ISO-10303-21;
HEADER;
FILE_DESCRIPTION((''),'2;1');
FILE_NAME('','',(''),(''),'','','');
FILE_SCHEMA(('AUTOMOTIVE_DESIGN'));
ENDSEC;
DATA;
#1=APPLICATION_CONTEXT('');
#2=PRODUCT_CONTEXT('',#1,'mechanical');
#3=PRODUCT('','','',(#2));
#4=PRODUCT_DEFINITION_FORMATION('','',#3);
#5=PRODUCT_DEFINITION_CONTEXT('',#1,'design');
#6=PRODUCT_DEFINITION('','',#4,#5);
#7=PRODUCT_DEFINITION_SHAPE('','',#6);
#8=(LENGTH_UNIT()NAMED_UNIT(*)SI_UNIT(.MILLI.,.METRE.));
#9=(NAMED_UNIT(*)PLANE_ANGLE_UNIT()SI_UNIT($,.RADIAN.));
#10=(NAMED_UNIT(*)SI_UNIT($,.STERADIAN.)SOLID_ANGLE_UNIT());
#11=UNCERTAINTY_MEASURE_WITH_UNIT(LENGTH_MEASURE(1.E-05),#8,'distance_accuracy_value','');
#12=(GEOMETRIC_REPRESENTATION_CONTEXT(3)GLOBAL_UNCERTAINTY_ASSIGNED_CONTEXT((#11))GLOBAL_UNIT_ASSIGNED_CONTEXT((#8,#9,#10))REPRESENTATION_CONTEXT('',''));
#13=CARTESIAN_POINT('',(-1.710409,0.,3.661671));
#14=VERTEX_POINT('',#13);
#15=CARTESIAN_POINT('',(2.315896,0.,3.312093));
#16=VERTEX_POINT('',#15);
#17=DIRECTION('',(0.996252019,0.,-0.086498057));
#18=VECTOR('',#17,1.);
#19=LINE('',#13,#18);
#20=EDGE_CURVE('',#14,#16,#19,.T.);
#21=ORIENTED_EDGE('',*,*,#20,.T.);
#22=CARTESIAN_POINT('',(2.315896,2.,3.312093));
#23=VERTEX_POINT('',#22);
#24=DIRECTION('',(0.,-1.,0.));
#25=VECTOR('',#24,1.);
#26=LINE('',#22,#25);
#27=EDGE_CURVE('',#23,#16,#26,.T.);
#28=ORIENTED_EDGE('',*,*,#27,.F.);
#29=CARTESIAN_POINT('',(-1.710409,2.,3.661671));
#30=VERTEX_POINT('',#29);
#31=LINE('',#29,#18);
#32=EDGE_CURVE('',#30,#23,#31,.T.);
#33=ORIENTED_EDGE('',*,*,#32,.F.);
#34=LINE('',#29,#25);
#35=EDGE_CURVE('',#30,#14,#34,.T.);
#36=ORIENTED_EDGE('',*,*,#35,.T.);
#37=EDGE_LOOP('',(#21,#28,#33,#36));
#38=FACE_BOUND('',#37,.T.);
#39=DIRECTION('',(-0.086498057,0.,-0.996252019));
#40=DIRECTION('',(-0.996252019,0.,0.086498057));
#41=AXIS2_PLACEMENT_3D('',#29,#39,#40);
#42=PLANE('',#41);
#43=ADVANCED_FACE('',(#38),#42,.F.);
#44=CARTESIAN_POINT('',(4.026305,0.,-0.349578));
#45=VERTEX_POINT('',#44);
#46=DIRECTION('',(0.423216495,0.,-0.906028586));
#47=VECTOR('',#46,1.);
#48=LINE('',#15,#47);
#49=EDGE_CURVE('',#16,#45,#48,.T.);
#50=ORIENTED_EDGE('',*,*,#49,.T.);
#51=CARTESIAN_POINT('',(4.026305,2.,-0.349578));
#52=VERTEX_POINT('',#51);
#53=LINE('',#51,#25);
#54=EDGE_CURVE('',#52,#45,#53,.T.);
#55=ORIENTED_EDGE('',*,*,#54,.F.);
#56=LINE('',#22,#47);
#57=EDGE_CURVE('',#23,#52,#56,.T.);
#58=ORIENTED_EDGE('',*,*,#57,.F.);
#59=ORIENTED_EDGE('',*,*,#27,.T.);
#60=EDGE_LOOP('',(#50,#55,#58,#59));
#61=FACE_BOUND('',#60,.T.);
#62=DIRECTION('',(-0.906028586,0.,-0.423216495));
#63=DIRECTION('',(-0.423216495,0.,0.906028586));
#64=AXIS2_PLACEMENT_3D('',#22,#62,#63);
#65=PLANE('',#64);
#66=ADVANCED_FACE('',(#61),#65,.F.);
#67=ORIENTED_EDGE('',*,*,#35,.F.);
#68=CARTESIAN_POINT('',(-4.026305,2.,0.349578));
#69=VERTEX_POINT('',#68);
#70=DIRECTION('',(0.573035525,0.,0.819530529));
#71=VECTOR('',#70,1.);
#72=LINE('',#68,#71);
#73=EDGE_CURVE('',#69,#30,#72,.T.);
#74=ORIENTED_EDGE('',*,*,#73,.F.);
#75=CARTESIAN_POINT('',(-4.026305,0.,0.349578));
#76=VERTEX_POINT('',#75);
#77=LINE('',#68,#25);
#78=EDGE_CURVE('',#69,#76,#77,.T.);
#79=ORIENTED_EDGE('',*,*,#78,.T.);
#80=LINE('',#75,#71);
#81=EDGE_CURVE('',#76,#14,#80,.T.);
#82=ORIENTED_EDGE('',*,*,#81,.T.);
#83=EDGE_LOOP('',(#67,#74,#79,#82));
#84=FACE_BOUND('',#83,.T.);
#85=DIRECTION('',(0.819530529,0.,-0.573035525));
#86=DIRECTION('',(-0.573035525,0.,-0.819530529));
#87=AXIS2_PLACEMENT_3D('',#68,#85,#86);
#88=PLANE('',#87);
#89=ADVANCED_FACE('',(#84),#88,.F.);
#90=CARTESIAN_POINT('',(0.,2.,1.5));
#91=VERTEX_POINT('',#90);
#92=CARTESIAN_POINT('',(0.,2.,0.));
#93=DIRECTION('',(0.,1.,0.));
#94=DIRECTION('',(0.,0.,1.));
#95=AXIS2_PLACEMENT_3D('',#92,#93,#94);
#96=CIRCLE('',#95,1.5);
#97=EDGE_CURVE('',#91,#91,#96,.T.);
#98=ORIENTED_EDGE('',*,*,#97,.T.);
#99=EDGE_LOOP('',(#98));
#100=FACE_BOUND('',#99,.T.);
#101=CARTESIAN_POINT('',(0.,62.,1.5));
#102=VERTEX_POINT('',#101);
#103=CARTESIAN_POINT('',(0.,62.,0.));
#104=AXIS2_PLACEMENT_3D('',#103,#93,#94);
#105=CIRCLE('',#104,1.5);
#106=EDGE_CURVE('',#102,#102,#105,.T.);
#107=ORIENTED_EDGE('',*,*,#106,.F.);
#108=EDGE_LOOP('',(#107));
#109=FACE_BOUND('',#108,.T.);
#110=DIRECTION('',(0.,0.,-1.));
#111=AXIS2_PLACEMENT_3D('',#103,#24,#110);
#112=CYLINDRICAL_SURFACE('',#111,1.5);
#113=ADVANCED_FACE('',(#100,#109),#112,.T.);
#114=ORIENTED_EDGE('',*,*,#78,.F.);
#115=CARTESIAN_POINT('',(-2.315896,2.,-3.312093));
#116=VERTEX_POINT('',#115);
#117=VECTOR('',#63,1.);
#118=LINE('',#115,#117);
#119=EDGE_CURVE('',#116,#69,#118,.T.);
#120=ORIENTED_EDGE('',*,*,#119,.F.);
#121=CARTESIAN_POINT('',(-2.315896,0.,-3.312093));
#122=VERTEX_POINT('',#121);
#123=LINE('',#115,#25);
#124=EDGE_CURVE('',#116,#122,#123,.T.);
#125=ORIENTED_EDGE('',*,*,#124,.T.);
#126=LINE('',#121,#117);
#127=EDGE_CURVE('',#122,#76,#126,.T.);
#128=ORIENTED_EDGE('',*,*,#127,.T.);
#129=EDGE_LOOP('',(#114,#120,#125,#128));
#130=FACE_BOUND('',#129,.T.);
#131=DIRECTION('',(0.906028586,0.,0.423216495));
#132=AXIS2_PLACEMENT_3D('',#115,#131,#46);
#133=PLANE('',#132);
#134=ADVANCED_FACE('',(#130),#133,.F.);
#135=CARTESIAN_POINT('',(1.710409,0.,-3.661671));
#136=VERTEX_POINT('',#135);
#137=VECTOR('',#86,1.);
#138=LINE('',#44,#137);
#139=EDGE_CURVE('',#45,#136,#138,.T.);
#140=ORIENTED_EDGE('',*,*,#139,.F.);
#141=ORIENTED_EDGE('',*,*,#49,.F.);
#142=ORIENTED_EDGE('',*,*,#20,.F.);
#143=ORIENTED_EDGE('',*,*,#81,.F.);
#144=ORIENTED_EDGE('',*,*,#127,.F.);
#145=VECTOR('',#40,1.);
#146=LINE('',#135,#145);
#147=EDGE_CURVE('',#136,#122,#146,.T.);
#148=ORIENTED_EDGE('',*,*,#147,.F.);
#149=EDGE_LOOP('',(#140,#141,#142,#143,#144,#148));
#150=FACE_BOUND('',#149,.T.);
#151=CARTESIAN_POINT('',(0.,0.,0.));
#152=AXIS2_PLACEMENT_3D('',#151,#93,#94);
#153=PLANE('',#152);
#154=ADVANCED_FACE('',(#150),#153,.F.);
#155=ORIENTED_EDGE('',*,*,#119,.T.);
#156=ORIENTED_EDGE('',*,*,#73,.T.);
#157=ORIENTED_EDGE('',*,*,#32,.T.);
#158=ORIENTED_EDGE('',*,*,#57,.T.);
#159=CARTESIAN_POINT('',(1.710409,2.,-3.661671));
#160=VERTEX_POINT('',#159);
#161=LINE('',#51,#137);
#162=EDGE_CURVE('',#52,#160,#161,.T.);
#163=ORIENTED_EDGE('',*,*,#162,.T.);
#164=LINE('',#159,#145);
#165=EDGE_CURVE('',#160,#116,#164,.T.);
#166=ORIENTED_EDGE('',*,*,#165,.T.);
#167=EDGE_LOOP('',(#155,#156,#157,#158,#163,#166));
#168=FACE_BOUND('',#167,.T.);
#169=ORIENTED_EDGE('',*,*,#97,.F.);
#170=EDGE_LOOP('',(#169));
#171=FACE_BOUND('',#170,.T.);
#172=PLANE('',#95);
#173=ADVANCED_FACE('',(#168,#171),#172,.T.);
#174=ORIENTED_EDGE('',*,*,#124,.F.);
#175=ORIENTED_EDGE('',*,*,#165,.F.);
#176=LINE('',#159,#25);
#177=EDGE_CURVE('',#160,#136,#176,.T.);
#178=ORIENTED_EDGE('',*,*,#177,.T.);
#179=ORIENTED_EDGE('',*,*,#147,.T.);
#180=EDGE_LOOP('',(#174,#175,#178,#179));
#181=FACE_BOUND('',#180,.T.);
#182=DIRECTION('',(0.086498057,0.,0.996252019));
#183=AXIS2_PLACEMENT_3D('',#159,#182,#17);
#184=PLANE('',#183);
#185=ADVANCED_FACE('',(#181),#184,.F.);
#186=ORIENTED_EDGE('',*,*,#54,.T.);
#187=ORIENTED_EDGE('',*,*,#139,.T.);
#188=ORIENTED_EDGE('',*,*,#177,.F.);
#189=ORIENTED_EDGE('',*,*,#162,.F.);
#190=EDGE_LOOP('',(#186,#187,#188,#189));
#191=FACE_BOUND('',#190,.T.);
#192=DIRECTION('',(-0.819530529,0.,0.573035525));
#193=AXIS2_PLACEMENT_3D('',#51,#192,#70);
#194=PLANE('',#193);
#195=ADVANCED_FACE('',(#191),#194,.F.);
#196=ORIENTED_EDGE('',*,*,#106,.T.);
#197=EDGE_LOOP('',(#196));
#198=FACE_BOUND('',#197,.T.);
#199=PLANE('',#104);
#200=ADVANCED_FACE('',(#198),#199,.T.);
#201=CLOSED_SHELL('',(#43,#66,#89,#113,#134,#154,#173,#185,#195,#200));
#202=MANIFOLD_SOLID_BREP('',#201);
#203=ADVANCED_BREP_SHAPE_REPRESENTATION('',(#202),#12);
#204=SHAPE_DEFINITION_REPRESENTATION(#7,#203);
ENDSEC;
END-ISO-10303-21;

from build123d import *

# Parameters (mm, degrees)
BOSS_EXTRUDE1_DEPTH = 2
SKETCH2_R           = 1.5
BOSS_EXTRUDE2_DEPTH = 60


with BuildPart() as part:
    # Sketch1 → Boss-Extrude1 (new body)
    with BuildSketch(Plane(origin=(0, 0, 0), x_dir=(1, 0, 0), z_dir=(0, 1, 0))):
        Polygon((2.315895501, -3.312093199), (4.026304601, 0.349577737), (1.710409099, 3.661670936), (-2.315895501, 3.312093199), (-4.026304601, -0.349577737), (-1.710409099, -3.661670936), align=None)
    extrude(amount=BOSS_EXTRUDE1_DEPTH)

    # Sketch2 → Boss-Extrude2 (add)
    with BuildSketch(Plane(origin=(0, 2, 0), x_dir=(1, 0, 0), z_dir=(0, 1, 0))):
        with Locations(Location((0, 0, 0), (0, 0, 270))):
            Circle(SKETCH2_R)
    extrude(amount=BOSS_EXTRUDE2_DEPTH)


solid = part.part
